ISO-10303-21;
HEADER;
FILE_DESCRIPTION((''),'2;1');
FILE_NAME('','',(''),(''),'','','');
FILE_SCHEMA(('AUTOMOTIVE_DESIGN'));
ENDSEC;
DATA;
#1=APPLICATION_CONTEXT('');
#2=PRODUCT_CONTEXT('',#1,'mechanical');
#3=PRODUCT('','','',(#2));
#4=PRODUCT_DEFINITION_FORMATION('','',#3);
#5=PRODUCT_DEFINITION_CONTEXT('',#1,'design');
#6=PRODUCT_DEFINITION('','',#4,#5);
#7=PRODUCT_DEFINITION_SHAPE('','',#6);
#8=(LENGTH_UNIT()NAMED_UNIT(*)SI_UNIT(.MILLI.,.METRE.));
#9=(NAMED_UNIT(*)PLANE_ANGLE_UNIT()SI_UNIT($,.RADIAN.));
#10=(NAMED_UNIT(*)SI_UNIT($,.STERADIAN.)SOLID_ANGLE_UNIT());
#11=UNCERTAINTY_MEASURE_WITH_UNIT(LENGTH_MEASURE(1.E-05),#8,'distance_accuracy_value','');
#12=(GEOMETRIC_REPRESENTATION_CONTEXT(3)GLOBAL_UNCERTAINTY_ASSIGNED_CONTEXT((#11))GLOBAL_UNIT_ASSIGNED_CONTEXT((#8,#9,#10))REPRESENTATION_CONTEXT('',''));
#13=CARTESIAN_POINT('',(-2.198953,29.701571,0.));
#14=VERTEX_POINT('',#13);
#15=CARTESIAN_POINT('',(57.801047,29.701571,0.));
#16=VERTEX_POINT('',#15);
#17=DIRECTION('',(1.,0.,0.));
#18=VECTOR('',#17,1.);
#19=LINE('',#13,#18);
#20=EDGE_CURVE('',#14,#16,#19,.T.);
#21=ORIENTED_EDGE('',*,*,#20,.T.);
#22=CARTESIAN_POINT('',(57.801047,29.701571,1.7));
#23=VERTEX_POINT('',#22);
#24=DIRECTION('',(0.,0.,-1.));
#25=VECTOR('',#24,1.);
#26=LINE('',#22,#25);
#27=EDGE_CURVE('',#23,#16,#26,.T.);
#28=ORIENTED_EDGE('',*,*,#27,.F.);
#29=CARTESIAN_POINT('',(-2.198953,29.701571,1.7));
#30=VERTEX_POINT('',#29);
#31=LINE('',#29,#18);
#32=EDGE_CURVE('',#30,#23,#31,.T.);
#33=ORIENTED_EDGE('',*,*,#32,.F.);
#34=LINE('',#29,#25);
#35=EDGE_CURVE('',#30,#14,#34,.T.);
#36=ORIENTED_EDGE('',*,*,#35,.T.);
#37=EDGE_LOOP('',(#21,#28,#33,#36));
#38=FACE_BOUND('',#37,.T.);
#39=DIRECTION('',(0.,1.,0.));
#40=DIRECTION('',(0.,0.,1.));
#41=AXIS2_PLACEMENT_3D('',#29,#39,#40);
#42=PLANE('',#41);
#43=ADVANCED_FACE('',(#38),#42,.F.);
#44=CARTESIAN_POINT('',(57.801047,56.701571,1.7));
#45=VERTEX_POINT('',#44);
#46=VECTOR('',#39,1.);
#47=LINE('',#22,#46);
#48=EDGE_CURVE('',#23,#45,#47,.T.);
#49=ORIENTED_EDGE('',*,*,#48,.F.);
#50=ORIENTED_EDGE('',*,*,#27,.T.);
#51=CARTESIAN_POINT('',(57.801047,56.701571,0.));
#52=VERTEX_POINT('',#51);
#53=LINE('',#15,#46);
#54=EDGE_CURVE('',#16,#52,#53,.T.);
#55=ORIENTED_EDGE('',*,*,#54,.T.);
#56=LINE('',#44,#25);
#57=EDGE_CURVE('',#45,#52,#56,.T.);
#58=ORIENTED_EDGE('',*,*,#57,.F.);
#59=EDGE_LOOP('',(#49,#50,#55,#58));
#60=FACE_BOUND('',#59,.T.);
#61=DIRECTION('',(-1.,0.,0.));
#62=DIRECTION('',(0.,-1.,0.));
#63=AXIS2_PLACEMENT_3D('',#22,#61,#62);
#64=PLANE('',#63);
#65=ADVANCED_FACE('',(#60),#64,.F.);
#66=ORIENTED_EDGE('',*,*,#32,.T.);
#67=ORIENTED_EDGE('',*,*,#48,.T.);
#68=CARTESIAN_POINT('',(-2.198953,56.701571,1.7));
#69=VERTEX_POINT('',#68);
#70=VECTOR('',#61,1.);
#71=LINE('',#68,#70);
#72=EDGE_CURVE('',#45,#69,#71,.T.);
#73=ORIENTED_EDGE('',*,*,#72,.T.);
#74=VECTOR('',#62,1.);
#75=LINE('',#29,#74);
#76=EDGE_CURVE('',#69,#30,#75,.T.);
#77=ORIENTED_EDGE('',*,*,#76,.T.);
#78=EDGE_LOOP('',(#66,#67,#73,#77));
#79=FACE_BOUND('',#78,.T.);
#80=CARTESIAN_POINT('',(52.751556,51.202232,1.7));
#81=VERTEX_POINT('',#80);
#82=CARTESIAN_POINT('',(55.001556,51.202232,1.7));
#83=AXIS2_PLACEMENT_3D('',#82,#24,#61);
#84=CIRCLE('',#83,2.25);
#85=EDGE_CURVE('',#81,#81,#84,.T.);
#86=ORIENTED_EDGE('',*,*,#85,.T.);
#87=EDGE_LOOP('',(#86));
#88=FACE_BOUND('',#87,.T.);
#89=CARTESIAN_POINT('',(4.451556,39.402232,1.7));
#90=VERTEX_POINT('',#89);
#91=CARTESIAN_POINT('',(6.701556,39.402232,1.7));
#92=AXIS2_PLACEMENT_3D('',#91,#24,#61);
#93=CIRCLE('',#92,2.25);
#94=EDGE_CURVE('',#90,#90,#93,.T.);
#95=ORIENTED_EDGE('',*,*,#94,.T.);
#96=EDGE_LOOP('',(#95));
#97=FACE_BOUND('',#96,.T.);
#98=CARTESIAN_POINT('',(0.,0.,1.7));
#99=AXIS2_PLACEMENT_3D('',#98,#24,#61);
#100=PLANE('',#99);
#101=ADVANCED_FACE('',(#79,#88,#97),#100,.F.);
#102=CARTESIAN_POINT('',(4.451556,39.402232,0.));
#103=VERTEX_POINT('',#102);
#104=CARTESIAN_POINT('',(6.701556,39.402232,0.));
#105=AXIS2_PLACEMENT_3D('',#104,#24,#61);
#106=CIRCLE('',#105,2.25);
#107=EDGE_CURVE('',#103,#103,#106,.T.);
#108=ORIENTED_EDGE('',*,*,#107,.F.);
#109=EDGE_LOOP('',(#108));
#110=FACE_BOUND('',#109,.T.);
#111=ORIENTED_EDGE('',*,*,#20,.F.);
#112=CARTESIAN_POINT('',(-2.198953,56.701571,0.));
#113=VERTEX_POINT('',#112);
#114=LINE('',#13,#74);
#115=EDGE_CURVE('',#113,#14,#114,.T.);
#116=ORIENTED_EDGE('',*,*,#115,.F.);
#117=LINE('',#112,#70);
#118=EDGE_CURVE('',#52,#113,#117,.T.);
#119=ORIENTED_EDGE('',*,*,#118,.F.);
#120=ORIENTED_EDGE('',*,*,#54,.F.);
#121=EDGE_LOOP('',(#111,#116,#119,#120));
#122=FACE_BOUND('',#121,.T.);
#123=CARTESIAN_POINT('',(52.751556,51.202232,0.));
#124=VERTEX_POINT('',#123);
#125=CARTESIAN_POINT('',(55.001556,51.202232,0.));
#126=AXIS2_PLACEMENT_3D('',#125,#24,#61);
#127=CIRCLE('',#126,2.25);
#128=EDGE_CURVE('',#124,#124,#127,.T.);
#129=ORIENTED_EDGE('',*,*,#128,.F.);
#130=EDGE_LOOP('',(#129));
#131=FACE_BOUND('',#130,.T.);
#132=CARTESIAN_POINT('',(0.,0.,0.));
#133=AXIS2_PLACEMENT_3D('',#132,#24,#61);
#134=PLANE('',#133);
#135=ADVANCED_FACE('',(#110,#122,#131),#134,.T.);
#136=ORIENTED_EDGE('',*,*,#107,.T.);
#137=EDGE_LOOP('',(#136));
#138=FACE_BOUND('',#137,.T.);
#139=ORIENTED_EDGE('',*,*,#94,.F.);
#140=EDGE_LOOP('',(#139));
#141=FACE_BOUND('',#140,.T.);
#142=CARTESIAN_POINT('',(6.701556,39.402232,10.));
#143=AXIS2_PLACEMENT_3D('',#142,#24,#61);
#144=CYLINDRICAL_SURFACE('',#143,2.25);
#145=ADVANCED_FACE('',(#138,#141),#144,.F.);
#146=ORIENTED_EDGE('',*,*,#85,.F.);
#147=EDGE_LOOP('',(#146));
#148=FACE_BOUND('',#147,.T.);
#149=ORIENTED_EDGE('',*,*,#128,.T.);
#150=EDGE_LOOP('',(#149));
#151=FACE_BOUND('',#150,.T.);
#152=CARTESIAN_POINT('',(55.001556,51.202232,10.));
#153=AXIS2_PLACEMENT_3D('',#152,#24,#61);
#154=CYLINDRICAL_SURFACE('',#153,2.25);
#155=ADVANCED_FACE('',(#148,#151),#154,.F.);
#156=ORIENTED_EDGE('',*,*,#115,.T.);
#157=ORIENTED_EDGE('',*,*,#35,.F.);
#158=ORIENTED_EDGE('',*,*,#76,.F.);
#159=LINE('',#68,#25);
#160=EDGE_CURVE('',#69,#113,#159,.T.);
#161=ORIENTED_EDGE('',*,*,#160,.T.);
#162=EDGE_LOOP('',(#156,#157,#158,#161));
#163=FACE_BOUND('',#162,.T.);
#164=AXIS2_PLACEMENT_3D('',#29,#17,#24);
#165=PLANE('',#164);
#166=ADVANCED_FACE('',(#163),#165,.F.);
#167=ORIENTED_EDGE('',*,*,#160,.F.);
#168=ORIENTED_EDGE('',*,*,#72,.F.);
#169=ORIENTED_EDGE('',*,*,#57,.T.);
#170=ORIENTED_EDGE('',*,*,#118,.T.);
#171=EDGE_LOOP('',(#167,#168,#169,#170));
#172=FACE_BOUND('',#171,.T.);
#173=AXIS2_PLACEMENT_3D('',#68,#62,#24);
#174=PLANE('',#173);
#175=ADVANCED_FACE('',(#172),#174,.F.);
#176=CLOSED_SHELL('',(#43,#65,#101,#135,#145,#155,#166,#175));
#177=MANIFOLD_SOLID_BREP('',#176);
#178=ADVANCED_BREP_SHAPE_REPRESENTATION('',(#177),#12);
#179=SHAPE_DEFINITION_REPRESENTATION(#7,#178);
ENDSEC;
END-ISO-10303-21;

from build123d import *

# Parameters (mm, degrees)
SKETCH1_W           = 60
SKETCH1_H           = 27
BOSS_EXTRUDE1_DEPTH = 1.7
SKETCH2_R           = 2.25
CUT_EXTRUDE1_DEPTH  = 10


with BuildPart() as part:
    # Sketch1 → Boss-Extrude1 (new body)
    with BuildSketch(Plane.XY):
        with Locations((27.80104712, 43.201570681)):
            Rectangle(SKETCH1_W, SKETCH1_H)
    extrude(amount=BOSS_EXTRUDE1_DEPTH)

    # Sketch2 → Cut-Extrude1 (cut)
    with BuildSketch(Plane(origin=(0, 0, 0), x_dir=(-1, 0, 0), z_dir=(0, 0, -1))):
        with Locations((-55.001556495, 51.202231931)):
            Circle(SKETCH2_R)
        with Locations((-6.701556495, 39.402231931)):
            Circle(SKETCH2_R)
    extrude(amount=-CUT_EXTRUDE1_DEPTH, mode=Mode.SUBTRACT)


solid = part.part
